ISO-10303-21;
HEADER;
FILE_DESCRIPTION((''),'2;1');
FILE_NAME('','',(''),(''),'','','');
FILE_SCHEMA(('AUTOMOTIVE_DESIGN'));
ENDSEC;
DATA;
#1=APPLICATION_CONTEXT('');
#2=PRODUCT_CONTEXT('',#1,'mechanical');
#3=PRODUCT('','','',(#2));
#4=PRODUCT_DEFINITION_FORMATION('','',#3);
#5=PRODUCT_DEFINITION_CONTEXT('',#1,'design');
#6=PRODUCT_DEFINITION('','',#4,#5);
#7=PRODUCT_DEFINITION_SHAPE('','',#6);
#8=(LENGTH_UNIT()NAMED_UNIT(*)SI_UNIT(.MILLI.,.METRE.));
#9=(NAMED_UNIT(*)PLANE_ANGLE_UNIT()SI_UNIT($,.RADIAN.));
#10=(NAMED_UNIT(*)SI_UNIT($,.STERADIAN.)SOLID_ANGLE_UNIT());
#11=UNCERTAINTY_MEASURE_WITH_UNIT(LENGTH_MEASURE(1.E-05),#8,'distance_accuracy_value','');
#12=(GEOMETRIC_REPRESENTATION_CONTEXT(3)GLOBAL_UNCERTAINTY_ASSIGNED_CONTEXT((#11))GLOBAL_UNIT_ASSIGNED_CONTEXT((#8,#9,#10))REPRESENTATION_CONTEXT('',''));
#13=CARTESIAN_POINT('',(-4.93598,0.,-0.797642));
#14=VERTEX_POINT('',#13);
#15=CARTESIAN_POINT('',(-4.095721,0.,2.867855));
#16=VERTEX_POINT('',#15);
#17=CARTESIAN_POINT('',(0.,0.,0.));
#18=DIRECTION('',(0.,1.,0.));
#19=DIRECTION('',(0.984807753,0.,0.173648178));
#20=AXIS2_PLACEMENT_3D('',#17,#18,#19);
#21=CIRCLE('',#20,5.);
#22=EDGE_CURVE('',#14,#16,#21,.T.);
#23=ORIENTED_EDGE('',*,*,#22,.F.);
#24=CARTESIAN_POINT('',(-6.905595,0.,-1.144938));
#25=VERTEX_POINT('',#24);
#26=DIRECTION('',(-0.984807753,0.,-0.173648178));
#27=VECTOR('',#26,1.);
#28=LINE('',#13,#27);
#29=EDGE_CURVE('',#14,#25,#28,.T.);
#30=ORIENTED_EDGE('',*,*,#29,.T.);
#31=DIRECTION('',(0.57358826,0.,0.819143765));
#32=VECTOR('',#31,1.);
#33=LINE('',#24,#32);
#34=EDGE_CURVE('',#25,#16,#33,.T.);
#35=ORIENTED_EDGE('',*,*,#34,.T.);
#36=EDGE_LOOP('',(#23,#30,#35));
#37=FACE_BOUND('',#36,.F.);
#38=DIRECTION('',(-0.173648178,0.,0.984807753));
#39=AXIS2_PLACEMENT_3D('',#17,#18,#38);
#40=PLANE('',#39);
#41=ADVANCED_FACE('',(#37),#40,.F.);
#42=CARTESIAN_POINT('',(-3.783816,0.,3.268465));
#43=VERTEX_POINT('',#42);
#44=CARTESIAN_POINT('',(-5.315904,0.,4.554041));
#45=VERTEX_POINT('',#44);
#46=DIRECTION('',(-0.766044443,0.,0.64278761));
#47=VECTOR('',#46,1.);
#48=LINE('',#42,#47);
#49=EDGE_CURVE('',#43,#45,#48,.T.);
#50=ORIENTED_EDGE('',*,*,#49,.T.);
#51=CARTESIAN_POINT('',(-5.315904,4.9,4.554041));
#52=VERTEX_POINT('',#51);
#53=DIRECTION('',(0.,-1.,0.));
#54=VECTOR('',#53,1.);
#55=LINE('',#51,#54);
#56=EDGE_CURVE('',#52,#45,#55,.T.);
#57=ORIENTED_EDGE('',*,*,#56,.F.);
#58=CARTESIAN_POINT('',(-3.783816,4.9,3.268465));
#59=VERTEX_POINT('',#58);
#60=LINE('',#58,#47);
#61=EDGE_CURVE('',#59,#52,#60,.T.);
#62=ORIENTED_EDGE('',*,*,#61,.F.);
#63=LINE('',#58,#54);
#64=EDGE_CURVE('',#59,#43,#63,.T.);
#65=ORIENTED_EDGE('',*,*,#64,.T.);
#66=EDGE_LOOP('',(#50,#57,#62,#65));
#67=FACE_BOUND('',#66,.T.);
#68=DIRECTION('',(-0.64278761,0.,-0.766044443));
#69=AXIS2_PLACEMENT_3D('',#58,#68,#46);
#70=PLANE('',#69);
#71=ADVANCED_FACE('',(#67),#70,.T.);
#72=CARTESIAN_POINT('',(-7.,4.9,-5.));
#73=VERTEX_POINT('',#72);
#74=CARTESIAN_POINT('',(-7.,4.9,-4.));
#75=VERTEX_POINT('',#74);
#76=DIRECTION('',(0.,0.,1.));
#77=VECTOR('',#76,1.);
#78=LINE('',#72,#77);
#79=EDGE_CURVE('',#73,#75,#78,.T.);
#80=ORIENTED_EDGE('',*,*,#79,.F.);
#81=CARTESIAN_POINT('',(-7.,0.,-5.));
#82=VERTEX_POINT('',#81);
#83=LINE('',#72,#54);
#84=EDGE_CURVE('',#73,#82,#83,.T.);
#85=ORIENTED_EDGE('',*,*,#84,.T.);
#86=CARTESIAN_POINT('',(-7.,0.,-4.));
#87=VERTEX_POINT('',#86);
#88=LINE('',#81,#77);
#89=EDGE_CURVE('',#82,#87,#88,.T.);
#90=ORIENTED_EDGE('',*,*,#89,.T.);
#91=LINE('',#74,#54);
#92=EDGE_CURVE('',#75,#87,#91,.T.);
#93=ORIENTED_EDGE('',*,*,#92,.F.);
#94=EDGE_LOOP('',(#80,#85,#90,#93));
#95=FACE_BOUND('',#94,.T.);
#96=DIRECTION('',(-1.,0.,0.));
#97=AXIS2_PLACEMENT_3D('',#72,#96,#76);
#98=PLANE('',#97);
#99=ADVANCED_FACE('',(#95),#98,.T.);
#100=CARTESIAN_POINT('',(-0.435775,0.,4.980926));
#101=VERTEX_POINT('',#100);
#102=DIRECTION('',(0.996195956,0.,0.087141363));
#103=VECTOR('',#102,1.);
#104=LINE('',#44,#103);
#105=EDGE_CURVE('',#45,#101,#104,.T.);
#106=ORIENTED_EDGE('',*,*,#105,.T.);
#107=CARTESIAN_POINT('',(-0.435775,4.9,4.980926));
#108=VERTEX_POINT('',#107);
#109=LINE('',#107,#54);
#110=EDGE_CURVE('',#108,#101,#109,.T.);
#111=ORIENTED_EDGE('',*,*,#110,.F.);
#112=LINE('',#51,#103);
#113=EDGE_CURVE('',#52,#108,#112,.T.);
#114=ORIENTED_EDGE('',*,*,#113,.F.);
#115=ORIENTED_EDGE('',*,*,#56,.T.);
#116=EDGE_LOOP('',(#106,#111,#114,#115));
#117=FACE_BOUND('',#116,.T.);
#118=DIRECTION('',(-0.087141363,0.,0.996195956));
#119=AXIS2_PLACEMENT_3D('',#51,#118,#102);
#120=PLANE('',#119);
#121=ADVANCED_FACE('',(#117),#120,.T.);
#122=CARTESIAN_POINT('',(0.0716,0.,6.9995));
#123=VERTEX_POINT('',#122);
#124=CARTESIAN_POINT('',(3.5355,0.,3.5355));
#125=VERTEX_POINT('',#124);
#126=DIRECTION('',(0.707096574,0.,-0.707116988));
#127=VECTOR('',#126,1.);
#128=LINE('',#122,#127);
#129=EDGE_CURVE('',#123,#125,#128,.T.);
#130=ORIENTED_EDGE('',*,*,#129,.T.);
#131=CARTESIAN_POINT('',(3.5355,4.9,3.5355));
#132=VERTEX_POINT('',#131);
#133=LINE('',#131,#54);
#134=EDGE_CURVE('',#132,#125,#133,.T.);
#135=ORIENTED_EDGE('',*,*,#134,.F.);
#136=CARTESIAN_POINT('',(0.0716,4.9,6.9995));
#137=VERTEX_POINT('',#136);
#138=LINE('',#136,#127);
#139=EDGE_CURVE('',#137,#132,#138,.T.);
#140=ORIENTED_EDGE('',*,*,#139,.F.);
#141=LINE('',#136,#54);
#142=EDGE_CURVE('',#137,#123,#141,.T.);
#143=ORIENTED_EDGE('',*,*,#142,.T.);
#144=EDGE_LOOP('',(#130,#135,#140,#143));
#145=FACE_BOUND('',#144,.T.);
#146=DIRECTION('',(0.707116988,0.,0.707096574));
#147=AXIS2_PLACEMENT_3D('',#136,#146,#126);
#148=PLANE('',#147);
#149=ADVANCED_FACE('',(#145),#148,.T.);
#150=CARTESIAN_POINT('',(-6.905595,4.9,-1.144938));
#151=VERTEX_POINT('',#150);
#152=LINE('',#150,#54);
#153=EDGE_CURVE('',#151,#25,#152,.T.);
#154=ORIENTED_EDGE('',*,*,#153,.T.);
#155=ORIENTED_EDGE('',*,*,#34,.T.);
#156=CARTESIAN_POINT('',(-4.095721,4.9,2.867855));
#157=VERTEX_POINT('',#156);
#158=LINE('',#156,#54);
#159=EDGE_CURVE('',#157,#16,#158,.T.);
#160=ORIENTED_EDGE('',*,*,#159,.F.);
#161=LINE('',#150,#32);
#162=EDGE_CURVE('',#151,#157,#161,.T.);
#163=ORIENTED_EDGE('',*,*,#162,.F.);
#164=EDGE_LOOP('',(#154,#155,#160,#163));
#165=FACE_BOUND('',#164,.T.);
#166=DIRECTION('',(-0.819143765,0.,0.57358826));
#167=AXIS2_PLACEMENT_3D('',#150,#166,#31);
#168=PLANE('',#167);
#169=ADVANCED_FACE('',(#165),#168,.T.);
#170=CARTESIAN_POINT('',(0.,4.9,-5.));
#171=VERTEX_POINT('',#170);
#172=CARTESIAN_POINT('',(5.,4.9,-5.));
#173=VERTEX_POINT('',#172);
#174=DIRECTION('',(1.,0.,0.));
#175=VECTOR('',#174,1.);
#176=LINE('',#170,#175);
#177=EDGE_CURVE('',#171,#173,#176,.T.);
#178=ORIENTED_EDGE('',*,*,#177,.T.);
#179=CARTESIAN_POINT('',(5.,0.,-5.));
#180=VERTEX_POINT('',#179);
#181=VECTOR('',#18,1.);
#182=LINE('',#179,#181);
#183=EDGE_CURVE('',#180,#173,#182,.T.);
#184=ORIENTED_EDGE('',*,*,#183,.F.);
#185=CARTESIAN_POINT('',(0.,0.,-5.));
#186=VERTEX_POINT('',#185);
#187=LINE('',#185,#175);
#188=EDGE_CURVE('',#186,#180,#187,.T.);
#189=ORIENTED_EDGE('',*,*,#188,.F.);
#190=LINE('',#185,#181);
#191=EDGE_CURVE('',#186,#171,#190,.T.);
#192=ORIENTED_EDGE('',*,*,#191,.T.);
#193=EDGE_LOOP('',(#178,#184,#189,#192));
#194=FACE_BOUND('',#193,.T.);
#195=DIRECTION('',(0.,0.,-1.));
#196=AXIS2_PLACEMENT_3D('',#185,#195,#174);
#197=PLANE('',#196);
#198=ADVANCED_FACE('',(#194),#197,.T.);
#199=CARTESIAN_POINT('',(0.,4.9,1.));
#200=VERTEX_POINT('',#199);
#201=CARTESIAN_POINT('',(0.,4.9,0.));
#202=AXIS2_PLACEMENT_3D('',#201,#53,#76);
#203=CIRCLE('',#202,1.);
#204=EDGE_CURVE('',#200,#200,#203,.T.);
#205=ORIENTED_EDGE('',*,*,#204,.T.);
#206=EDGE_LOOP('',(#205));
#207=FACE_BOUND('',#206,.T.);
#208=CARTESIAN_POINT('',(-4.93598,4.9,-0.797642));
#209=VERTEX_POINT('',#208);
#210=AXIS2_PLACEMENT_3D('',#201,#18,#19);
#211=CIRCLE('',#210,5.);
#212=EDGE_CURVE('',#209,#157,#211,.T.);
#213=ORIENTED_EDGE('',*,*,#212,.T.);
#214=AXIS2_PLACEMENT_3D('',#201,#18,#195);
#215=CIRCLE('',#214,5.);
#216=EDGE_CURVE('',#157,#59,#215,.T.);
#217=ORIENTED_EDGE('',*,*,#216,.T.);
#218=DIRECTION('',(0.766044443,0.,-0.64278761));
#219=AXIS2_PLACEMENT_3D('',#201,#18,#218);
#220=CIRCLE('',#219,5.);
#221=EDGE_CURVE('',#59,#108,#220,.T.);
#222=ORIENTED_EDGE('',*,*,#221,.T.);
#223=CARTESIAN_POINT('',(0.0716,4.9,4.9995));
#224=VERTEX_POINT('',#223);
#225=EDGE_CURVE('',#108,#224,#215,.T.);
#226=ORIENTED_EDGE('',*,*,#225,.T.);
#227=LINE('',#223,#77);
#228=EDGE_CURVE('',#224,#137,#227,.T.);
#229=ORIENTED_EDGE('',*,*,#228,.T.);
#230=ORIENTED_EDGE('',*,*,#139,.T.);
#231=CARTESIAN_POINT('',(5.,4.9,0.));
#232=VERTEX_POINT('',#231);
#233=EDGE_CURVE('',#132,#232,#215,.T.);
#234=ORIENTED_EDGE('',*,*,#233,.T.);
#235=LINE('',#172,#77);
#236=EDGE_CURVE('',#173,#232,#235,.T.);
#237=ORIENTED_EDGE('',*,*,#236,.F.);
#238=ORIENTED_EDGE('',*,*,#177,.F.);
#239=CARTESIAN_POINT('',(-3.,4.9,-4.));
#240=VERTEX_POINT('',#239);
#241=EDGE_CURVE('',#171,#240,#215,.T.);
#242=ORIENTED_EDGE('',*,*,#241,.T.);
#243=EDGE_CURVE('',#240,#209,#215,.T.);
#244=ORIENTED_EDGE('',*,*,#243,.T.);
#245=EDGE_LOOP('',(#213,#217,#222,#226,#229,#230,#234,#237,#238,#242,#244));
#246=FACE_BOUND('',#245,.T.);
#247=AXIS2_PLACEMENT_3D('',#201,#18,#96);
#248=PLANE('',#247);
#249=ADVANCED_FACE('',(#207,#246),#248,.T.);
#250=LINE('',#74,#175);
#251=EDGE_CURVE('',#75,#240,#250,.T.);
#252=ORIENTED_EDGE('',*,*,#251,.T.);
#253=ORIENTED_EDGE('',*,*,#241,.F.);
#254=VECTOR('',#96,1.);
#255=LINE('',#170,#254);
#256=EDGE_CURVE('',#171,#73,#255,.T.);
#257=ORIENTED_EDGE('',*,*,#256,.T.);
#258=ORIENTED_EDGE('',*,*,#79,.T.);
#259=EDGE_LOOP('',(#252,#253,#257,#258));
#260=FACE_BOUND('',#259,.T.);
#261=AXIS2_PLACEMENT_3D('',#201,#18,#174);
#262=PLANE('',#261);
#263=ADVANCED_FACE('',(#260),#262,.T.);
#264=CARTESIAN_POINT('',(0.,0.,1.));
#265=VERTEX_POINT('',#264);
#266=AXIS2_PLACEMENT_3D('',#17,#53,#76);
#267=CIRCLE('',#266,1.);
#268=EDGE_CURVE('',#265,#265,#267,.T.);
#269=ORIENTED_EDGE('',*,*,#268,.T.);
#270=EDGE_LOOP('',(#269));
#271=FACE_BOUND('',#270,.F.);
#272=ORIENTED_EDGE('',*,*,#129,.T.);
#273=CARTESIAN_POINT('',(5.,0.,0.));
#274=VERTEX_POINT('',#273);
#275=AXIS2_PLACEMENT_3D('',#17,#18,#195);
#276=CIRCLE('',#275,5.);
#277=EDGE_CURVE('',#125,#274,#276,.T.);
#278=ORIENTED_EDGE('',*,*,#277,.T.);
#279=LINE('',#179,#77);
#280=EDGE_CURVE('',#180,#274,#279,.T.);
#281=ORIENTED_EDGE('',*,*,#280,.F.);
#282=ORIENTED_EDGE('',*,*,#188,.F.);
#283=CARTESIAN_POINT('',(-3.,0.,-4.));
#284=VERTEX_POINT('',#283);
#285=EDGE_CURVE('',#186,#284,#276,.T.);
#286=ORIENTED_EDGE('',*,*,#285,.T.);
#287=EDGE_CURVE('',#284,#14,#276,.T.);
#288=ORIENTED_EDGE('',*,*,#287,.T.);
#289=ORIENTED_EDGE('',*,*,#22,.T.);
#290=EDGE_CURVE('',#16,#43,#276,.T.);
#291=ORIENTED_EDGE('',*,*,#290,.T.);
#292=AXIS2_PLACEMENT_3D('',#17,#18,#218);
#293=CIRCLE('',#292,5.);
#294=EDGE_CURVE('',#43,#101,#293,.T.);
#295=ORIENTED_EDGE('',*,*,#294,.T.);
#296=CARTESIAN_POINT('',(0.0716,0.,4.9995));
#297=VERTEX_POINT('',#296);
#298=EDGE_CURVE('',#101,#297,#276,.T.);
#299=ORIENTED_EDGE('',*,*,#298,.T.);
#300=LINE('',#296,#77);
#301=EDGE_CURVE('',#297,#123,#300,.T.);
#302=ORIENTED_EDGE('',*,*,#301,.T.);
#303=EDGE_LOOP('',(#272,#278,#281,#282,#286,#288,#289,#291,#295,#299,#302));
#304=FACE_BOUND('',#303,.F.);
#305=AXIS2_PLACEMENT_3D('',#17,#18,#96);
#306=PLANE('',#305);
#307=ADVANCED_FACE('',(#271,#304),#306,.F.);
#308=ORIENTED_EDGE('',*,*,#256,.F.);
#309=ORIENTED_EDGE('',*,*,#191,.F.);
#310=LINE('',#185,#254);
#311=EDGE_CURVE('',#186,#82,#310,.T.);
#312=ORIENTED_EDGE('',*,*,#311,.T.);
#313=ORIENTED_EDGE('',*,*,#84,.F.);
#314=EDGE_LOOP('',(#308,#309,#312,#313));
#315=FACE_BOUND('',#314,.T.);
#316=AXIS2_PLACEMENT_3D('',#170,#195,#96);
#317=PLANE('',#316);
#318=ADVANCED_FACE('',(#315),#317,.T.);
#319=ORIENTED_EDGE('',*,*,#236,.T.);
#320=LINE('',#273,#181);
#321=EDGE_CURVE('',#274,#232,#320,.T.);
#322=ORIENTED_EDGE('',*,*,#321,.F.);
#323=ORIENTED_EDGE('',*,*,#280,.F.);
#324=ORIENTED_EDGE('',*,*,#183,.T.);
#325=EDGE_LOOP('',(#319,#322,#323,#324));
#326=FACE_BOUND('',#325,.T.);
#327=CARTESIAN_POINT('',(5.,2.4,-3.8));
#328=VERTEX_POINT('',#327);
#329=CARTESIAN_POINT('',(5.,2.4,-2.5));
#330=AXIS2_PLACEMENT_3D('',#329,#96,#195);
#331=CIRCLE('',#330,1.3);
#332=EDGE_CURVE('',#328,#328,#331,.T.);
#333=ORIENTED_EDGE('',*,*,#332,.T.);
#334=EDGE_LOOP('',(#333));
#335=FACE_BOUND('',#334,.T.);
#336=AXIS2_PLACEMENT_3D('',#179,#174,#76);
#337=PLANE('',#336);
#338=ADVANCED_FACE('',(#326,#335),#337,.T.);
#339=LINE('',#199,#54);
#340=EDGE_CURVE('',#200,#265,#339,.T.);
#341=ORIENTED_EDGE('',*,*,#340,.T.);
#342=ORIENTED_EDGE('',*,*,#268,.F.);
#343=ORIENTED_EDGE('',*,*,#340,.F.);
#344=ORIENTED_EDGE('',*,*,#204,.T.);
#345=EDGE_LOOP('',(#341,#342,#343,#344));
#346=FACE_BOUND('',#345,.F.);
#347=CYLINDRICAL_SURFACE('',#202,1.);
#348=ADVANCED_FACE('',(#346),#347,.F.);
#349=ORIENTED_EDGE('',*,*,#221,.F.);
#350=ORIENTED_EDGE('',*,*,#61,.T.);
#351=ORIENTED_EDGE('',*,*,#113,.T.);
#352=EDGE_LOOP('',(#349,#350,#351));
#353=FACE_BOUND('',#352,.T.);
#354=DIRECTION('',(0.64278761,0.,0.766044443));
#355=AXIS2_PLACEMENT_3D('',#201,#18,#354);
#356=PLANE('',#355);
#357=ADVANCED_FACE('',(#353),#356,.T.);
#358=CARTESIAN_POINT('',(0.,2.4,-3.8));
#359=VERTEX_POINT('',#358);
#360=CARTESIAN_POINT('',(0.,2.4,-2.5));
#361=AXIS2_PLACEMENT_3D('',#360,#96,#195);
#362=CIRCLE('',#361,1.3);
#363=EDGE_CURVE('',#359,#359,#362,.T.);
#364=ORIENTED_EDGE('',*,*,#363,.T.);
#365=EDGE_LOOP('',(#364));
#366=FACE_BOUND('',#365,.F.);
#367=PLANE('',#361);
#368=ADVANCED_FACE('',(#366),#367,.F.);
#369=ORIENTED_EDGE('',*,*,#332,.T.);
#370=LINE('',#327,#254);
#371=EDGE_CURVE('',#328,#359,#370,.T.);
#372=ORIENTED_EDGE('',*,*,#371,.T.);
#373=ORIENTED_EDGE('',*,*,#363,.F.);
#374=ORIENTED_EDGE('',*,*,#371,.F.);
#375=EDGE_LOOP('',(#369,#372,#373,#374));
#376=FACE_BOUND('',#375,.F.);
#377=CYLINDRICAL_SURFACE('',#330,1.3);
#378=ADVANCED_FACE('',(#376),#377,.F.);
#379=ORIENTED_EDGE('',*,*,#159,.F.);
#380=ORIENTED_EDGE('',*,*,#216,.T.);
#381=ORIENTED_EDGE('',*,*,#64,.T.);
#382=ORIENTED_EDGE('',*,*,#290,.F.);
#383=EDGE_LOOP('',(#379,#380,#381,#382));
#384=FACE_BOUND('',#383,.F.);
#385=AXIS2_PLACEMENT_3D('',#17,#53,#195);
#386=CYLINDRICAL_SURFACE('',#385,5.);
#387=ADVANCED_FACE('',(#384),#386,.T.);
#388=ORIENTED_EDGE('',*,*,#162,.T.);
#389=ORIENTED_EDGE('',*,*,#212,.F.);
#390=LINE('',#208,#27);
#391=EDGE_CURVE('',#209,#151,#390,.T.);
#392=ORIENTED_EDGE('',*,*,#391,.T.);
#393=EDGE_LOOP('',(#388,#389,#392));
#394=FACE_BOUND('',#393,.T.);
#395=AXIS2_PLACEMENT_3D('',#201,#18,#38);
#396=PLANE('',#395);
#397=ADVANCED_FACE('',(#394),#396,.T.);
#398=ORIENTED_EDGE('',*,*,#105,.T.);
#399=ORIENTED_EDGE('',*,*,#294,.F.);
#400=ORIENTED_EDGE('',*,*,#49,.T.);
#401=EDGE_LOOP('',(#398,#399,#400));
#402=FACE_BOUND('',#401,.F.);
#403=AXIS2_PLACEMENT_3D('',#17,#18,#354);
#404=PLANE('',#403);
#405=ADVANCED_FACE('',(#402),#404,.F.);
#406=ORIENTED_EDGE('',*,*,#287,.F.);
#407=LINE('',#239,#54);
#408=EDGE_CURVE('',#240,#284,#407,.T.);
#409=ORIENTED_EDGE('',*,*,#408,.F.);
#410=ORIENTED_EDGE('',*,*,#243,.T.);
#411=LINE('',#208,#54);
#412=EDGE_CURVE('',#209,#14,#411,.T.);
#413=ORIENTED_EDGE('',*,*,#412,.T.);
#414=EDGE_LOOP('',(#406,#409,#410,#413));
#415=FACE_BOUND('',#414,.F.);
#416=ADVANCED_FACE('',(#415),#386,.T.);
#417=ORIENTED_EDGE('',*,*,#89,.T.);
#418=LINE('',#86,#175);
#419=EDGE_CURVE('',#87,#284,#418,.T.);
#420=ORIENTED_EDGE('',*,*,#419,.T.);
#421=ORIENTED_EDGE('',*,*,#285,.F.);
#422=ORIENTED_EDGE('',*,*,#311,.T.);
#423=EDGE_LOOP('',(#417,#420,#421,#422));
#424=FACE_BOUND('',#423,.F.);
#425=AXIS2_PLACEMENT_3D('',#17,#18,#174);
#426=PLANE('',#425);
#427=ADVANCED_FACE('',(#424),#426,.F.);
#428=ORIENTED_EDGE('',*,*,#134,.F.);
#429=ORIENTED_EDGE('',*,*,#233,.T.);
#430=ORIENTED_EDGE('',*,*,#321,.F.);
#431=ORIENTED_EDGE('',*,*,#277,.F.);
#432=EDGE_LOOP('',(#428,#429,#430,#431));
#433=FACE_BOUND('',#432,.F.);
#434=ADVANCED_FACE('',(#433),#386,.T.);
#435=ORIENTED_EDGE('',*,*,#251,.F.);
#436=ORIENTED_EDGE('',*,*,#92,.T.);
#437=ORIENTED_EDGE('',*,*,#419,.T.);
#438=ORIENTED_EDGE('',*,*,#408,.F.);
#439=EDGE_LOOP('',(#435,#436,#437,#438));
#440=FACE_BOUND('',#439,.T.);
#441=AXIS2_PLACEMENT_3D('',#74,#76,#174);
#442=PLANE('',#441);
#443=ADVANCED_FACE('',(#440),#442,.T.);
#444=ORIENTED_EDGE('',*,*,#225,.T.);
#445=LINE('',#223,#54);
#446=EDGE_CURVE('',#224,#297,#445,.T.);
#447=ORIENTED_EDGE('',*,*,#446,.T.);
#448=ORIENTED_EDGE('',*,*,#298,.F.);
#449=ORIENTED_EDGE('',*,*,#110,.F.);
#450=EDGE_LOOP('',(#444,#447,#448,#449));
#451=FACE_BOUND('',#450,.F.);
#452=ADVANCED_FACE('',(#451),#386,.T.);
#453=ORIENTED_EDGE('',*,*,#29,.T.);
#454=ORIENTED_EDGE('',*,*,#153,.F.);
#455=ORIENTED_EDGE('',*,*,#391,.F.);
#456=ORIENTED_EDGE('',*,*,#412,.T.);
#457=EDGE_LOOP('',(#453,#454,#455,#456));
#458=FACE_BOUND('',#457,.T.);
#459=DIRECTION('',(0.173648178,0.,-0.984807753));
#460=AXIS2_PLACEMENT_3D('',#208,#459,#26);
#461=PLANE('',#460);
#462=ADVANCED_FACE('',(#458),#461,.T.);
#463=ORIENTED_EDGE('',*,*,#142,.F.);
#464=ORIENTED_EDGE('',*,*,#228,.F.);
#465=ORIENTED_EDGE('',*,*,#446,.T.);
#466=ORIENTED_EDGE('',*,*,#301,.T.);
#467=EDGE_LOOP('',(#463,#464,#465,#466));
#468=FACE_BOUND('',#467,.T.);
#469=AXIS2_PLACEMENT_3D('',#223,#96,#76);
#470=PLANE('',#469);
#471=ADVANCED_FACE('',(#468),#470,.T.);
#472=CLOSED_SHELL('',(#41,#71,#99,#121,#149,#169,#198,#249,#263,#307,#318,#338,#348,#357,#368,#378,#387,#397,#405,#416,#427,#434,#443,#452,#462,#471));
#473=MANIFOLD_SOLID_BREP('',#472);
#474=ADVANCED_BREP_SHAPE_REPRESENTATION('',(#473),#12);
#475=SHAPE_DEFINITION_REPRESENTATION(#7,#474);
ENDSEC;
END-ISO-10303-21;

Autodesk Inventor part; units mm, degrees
ref_plane "YZ Plane" through (0, 0, 0) normal (1, 0, 0) x (0, 1, 0)
ref_plane "XZ Plane" through (0, 0, 0) normal (0, 1, 0) x (-1, 0, 0)
ref_plane "XY Plane" through (0, 0, 0) normal (0, 0, 1) x (1, 0, 0)
sketch "スケッチ1" plane through (0, 0, 0) normal (0, 1, 0) x (-1, 0, 0)
  arc A0 (0, -5) -> (-5, 0) centre (0, 0) ccw
  line L0 (0, -5) -> (-5, -5)
  line L1 (0, -5) -> (5, -5) construction
  line L2 (-5, -5) -> (-5, 0)
  dimension "d1" = 5
  dimension "d2" = 5
  dimension "d3" = 180
  dimension "d4" = 5
extrude "押し出し1" add sketch "スケッチ1" along normal blind 4.9
sketch "スケッチ2" plane through (0, 4.9, 0) normal (0, 1, 0) x (1, 0, 0)
  arc A0 (0, 5) -> (5, 0) centre (0, 0) ccw projected
  line L0 (0.0716, -4.9995) -> (0.0716, -6.9995)
  line L1 (0.0716, -6.9995) -> (3.5355, -3.5355)
  line L2 (0.0716, -6.9995) -> (4.9704, -6.9995) construction
  line L3 (0.0716, -4.9995) -> (3.5355, -3.5355)
  dimension "d7" = 2
  dimension "d8" = 45
extrude "押し出し2" add sketch "スケッチ2" against normal blind 4.9 contours A0 L1 L0
pattern_circular "円形状パターン1" count 3 over 100 about axis through (0, 0, 0) along (0, -1, 0) of "押し出し2"
sketch "スケッチ3" plane through (0, 4.9, 0) normal (0, 1, 0) x (1, 0, 0)
  point P0 (0, 0)
  point P1 (0, 0)
hole "穴1" at (0, 4.9, 0) direction (0, -1, 0) diameter 2 end through all
sketch "スケッチ4" plane through (5, 0, 0) normal (1, 0, 0) x (0, 0, -1)
  line L0 (0, 4.9) -> (5, 4.9) projected
  line L1 (5, 0) -> (5, 4.9) projected
  point P0 (0, 0)
  point P1 (2.5, 2.4)
  dimension "d28" = 2.5
  dimension "d29" = 2.5
hole "穴2" at (5, 2.4, -2.5) direction (-1, 0, 0) diameter 2.6 depth 5
sketch "スケッチ5" plane through (0, 4.9, 0) normal (0, 1, 0) x (1, 0, 0)
  point P0 (0, 0)
sketch "スケッチ7" plane through (0, 4.9, 0) normal (0, 1, 0) x (1, 0, 0)
  arc A0 (0, 5) -> (-4.936, 0.7977) centre (0, 0) ccw projected
  line L0 (0, 5) -> (-7, 5)
  line L1 (-7, 5) -> (-7, 4)
  line L2 (-7, 4) -> (-3, 4)
  line L3 (-3, 4) -> (0, 5)
  dimension "d35" = 7
  dimension "d36" = 1
extrude "押し出し4" add sketch "スケッチ7" against normal blind 4.9 contours A0 L2 L1 L0
equation "\"d9\" = atumi"
equation "\"d37\" = atumi"
equation "\"atumi\" = 4.9"
properties part number "exp_latch_rod_rev0"
